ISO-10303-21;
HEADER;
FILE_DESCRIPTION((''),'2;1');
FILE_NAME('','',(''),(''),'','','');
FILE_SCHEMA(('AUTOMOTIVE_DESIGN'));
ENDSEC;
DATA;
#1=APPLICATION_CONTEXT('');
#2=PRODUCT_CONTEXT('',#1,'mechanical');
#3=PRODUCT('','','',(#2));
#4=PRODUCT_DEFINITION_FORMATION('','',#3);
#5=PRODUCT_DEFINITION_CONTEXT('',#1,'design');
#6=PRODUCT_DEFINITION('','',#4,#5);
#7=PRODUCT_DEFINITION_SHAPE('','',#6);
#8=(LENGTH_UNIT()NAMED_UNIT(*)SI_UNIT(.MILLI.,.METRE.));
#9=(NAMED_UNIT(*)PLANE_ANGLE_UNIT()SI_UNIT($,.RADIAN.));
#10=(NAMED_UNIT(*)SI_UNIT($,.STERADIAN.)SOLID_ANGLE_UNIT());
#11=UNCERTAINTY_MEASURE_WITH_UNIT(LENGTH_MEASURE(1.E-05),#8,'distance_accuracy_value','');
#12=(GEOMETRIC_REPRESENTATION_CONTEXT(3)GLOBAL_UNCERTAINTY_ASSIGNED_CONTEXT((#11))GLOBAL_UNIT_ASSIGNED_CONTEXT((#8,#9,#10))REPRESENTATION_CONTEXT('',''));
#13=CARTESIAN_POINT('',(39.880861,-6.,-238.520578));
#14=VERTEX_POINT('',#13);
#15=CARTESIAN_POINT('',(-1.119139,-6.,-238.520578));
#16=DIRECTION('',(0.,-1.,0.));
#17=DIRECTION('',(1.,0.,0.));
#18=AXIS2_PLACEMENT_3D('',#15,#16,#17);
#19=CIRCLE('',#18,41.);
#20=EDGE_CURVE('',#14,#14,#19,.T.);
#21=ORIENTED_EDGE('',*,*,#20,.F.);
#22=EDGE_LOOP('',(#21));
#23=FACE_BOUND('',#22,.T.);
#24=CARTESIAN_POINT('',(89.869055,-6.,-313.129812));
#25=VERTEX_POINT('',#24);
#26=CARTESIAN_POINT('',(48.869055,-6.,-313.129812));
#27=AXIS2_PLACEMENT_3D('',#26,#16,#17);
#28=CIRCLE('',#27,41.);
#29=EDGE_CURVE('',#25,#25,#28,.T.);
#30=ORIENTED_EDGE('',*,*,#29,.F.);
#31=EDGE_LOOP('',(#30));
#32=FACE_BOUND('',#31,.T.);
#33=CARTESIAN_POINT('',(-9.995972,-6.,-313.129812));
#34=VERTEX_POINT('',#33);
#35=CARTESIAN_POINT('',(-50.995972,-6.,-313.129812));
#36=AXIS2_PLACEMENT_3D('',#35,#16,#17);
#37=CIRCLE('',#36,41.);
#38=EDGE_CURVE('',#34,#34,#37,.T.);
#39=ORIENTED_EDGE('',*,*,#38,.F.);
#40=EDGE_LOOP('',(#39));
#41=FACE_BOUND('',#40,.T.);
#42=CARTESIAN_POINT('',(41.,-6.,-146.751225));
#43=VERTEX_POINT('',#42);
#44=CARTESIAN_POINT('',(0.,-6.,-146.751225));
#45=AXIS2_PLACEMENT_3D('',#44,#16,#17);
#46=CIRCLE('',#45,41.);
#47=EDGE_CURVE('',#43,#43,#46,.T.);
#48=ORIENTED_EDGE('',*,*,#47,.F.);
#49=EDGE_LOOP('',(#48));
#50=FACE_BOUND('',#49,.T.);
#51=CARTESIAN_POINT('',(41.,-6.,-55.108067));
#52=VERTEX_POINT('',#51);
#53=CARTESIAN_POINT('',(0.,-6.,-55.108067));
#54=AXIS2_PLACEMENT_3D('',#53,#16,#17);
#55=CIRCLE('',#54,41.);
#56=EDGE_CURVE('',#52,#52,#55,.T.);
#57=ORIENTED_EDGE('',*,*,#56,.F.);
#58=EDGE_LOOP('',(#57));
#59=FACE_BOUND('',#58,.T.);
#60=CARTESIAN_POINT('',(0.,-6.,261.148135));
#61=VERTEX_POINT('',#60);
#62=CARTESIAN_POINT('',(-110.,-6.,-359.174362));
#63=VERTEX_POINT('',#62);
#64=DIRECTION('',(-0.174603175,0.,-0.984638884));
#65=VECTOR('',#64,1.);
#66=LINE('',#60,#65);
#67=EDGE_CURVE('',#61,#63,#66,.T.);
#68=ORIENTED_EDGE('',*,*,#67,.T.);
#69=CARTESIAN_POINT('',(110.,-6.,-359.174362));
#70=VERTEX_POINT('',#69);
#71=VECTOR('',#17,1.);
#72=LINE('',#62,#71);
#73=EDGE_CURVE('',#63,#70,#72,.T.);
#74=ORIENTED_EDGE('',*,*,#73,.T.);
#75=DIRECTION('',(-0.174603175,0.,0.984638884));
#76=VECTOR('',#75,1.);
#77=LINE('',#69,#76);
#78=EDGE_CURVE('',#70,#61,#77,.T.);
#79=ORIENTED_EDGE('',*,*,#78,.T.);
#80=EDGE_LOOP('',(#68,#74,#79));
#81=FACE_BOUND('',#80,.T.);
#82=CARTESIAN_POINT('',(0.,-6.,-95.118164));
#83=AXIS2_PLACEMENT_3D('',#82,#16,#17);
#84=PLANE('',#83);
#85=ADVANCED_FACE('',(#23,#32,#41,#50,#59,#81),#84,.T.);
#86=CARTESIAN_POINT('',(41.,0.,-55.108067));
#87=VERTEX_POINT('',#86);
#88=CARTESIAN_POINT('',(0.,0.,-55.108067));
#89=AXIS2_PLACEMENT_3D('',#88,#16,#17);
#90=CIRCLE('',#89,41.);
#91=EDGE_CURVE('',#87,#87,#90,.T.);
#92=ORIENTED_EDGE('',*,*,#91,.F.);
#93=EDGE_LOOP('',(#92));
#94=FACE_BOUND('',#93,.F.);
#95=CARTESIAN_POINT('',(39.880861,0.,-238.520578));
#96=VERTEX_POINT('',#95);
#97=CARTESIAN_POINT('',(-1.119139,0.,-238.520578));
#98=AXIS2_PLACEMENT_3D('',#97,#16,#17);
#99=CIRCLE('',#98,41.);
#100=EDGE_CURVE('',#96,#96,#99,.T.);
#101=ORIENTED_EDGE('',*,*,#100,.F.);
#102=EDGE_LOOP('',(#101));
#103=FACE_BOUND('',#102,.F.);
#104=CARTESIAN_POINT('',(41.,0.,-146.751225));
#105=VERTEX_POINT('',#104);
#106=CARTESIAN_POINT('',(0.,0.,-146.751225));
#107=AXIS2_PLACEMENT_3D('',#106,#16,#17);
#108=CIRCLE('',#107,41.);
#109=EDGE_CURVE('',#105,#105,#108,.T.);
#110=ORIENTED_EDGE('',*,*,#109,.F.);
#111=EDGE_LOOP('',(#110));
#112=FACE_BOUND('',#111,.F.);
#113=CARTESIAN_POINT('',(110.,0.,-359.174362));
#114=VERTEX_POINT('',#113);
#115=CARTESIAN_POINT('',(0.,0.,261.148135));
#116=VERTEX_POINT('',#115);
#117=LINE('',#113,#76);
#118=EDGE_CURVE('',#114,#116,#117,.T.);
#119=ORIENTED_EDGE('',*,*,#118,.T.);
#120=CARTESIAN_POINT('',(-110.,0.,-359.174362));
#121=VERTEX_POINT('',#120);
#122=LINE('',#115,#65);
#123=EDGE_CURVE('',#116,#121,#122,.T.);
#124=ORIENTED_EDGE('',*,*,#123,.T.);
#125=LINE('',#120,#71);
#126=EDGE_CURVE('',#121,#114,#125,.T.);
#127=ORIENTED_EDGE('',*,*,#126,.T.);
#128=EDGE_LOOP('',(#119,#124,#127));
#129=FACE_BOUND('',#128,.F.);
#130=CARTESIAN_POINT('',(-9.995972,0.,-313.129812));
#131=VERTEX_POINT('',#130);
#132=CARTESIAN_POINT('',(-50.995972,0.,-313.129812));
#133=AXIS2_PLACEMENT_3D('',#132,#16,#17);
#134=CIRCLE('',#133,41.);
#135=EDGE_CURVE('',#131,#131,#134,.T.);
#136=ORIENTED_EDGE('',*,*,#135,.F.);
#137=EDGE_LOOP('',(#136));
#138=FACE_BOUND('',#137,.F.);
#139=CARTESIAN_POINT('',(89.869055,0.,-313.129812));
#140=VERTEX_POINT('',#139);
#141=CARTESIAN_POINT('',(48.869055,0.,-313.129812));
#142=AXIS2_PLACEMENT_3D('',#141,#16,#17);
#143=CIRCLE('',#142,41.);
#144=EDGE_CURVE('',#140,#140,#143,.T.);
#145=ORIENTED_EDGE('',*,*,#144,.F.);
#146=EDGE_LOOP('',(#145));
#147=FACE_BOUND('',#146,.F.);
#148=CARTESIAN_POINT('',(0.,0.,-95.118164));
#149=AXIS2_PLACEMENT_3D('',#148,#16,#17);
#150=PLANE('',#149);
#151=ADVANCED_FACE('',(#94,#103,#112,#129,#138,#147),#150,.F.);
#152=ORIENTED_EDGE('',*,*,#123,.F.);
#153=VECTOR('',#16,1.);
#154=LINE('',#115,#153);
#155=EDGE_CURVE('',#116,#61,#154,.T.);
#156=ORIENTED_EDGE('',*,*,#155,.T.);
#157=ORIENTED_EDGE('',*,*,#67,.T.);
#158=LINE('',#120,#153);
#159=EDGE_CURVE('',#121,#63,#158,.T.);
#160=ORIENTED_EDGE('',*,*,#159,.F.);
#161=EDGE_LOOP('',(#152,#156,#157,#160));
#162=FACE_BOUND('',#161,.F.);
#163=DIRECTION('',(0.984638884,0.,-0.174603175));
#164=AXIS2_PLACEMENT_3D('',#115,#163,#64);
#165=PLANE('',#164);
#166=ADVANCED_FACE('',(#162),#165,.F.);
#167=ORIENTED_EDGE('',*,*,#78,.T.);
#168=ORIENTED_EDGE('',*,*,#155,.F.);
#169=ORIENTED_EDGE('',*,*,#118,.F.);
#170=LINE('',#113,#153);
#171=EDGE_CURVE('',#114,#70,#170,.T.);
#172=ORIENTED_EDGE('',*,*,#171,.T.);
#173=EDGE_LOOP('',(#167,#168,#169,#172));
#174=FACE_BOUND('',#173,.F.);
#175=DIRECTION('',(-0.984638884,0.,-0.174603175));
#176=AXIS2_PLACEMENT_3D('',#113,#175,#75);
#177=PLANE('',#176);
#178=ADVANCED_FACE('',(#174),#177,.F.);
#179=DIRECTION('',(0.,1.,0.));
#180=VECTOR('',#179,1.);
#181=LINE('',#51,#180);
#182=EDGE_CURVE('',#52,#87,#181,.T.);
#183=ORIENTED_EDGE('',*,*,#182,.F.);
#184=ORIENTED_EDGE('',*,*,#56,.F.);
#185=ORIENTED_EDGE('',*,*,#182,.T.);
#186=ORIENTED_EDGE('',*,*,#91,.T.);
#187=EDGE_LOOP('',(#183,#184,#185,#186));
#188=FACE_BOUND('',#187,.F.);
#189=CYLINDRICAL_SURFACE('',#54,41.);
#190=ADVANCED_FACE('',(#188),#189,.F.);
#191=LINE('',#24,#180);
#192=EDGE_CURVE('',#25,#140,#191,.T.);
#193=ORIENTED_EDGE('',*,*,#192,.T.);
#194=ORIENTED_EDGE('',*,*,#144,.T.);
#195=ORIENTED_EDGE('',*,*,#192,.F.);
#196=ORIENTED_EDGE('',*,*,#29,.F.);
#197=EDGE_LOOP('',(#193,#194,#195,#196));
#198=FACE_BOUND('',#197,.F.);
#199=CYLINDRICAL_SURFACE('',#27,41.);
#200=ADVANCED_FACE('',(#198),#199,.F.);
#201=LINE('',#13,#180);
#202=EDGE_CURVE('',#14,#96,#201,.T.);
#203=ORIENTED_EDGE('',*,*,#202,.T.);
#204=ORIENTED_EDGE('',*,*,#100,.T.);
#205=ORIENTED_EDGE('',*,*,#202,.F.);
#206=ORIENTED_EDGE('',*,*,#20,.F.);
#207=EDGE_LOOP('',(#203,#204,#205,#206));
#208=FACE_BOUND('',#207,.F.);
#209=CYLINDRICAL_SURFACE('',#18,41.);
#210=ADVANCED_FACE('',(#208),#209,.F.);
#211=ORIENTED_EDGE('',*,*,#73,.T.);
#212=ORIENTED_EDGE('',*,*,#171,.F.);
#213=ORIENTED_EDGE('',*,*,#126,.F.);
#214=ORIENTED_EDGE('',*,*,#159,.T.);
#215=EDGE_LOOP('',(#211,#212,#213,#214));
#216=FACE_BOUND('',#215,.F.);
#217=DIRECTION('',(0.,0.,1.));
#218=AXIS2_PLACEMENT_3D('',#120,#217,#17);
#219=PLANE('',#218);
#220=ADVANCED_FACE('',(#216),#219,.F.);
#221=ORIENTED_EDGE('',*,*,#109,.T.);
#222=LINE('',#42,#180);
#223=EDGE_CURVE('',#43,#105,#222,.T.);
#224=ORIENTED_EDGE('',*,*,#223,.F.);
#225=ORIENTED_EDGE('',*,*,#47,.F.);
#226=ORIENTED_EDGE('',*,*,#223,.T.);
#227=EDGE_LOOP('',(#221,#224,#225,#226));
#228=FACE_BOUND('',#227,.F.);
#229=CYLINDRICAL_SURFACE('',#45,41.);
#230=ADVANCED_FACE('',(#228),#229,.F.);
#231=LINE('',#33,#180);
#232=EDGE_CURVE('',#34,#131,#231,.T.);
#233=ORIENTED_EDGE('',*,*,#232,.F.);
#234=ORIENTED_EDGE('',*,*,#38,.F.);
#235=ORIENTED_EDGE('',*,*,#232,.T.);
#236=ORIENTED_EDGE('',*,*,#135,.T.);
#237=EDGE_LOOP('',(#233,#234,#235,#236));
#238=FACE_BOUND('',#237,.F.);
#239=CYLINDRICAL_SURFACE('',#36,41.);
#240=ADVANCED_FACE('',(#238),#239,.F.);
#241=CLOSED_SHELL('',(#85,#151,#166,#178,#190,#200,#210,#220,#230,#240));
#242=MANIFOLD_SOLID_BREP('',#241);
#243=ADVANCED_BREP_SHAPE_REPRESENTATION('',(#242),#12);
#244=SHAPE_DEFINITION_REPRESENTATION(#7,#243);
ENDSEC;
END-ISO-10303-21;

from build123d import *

# Parameters (mm, degrees)
F1_DEPTH = 6
F2_R     = 41
F3_DEPTH = 164.338


with BuildPart() as f1:
    # F0 (on Front) → F1 (new body)
    with BuildSketch(Plane.XZ):
        Polygon((110, -359.174362), (0, 261.148135), (-110, -359.174362), align=None)
    extrude(amount=F1_DEPTH)

    # F2 (on face) → F3 (cut)
    with BuildSketch(Plane.XZ.offset(6)):
        with Locations((48.869055, -313.129812)):
            Circle(F2_R)
        with Locations((-50.995972, -313.129812)):
            Circle(F2_R)
        with Locations((-1.119139, -238.520578)):
            Circle(F2_R)
        with Locations((0, -146.751225)):
            Circle(F2_R)
        with Locations((0, -55.108067)):
            Circle(F2_R)
    extrude(amount=-F3_DEPTH, mode=Mode.SUBTRACT)


solid = f1.part
